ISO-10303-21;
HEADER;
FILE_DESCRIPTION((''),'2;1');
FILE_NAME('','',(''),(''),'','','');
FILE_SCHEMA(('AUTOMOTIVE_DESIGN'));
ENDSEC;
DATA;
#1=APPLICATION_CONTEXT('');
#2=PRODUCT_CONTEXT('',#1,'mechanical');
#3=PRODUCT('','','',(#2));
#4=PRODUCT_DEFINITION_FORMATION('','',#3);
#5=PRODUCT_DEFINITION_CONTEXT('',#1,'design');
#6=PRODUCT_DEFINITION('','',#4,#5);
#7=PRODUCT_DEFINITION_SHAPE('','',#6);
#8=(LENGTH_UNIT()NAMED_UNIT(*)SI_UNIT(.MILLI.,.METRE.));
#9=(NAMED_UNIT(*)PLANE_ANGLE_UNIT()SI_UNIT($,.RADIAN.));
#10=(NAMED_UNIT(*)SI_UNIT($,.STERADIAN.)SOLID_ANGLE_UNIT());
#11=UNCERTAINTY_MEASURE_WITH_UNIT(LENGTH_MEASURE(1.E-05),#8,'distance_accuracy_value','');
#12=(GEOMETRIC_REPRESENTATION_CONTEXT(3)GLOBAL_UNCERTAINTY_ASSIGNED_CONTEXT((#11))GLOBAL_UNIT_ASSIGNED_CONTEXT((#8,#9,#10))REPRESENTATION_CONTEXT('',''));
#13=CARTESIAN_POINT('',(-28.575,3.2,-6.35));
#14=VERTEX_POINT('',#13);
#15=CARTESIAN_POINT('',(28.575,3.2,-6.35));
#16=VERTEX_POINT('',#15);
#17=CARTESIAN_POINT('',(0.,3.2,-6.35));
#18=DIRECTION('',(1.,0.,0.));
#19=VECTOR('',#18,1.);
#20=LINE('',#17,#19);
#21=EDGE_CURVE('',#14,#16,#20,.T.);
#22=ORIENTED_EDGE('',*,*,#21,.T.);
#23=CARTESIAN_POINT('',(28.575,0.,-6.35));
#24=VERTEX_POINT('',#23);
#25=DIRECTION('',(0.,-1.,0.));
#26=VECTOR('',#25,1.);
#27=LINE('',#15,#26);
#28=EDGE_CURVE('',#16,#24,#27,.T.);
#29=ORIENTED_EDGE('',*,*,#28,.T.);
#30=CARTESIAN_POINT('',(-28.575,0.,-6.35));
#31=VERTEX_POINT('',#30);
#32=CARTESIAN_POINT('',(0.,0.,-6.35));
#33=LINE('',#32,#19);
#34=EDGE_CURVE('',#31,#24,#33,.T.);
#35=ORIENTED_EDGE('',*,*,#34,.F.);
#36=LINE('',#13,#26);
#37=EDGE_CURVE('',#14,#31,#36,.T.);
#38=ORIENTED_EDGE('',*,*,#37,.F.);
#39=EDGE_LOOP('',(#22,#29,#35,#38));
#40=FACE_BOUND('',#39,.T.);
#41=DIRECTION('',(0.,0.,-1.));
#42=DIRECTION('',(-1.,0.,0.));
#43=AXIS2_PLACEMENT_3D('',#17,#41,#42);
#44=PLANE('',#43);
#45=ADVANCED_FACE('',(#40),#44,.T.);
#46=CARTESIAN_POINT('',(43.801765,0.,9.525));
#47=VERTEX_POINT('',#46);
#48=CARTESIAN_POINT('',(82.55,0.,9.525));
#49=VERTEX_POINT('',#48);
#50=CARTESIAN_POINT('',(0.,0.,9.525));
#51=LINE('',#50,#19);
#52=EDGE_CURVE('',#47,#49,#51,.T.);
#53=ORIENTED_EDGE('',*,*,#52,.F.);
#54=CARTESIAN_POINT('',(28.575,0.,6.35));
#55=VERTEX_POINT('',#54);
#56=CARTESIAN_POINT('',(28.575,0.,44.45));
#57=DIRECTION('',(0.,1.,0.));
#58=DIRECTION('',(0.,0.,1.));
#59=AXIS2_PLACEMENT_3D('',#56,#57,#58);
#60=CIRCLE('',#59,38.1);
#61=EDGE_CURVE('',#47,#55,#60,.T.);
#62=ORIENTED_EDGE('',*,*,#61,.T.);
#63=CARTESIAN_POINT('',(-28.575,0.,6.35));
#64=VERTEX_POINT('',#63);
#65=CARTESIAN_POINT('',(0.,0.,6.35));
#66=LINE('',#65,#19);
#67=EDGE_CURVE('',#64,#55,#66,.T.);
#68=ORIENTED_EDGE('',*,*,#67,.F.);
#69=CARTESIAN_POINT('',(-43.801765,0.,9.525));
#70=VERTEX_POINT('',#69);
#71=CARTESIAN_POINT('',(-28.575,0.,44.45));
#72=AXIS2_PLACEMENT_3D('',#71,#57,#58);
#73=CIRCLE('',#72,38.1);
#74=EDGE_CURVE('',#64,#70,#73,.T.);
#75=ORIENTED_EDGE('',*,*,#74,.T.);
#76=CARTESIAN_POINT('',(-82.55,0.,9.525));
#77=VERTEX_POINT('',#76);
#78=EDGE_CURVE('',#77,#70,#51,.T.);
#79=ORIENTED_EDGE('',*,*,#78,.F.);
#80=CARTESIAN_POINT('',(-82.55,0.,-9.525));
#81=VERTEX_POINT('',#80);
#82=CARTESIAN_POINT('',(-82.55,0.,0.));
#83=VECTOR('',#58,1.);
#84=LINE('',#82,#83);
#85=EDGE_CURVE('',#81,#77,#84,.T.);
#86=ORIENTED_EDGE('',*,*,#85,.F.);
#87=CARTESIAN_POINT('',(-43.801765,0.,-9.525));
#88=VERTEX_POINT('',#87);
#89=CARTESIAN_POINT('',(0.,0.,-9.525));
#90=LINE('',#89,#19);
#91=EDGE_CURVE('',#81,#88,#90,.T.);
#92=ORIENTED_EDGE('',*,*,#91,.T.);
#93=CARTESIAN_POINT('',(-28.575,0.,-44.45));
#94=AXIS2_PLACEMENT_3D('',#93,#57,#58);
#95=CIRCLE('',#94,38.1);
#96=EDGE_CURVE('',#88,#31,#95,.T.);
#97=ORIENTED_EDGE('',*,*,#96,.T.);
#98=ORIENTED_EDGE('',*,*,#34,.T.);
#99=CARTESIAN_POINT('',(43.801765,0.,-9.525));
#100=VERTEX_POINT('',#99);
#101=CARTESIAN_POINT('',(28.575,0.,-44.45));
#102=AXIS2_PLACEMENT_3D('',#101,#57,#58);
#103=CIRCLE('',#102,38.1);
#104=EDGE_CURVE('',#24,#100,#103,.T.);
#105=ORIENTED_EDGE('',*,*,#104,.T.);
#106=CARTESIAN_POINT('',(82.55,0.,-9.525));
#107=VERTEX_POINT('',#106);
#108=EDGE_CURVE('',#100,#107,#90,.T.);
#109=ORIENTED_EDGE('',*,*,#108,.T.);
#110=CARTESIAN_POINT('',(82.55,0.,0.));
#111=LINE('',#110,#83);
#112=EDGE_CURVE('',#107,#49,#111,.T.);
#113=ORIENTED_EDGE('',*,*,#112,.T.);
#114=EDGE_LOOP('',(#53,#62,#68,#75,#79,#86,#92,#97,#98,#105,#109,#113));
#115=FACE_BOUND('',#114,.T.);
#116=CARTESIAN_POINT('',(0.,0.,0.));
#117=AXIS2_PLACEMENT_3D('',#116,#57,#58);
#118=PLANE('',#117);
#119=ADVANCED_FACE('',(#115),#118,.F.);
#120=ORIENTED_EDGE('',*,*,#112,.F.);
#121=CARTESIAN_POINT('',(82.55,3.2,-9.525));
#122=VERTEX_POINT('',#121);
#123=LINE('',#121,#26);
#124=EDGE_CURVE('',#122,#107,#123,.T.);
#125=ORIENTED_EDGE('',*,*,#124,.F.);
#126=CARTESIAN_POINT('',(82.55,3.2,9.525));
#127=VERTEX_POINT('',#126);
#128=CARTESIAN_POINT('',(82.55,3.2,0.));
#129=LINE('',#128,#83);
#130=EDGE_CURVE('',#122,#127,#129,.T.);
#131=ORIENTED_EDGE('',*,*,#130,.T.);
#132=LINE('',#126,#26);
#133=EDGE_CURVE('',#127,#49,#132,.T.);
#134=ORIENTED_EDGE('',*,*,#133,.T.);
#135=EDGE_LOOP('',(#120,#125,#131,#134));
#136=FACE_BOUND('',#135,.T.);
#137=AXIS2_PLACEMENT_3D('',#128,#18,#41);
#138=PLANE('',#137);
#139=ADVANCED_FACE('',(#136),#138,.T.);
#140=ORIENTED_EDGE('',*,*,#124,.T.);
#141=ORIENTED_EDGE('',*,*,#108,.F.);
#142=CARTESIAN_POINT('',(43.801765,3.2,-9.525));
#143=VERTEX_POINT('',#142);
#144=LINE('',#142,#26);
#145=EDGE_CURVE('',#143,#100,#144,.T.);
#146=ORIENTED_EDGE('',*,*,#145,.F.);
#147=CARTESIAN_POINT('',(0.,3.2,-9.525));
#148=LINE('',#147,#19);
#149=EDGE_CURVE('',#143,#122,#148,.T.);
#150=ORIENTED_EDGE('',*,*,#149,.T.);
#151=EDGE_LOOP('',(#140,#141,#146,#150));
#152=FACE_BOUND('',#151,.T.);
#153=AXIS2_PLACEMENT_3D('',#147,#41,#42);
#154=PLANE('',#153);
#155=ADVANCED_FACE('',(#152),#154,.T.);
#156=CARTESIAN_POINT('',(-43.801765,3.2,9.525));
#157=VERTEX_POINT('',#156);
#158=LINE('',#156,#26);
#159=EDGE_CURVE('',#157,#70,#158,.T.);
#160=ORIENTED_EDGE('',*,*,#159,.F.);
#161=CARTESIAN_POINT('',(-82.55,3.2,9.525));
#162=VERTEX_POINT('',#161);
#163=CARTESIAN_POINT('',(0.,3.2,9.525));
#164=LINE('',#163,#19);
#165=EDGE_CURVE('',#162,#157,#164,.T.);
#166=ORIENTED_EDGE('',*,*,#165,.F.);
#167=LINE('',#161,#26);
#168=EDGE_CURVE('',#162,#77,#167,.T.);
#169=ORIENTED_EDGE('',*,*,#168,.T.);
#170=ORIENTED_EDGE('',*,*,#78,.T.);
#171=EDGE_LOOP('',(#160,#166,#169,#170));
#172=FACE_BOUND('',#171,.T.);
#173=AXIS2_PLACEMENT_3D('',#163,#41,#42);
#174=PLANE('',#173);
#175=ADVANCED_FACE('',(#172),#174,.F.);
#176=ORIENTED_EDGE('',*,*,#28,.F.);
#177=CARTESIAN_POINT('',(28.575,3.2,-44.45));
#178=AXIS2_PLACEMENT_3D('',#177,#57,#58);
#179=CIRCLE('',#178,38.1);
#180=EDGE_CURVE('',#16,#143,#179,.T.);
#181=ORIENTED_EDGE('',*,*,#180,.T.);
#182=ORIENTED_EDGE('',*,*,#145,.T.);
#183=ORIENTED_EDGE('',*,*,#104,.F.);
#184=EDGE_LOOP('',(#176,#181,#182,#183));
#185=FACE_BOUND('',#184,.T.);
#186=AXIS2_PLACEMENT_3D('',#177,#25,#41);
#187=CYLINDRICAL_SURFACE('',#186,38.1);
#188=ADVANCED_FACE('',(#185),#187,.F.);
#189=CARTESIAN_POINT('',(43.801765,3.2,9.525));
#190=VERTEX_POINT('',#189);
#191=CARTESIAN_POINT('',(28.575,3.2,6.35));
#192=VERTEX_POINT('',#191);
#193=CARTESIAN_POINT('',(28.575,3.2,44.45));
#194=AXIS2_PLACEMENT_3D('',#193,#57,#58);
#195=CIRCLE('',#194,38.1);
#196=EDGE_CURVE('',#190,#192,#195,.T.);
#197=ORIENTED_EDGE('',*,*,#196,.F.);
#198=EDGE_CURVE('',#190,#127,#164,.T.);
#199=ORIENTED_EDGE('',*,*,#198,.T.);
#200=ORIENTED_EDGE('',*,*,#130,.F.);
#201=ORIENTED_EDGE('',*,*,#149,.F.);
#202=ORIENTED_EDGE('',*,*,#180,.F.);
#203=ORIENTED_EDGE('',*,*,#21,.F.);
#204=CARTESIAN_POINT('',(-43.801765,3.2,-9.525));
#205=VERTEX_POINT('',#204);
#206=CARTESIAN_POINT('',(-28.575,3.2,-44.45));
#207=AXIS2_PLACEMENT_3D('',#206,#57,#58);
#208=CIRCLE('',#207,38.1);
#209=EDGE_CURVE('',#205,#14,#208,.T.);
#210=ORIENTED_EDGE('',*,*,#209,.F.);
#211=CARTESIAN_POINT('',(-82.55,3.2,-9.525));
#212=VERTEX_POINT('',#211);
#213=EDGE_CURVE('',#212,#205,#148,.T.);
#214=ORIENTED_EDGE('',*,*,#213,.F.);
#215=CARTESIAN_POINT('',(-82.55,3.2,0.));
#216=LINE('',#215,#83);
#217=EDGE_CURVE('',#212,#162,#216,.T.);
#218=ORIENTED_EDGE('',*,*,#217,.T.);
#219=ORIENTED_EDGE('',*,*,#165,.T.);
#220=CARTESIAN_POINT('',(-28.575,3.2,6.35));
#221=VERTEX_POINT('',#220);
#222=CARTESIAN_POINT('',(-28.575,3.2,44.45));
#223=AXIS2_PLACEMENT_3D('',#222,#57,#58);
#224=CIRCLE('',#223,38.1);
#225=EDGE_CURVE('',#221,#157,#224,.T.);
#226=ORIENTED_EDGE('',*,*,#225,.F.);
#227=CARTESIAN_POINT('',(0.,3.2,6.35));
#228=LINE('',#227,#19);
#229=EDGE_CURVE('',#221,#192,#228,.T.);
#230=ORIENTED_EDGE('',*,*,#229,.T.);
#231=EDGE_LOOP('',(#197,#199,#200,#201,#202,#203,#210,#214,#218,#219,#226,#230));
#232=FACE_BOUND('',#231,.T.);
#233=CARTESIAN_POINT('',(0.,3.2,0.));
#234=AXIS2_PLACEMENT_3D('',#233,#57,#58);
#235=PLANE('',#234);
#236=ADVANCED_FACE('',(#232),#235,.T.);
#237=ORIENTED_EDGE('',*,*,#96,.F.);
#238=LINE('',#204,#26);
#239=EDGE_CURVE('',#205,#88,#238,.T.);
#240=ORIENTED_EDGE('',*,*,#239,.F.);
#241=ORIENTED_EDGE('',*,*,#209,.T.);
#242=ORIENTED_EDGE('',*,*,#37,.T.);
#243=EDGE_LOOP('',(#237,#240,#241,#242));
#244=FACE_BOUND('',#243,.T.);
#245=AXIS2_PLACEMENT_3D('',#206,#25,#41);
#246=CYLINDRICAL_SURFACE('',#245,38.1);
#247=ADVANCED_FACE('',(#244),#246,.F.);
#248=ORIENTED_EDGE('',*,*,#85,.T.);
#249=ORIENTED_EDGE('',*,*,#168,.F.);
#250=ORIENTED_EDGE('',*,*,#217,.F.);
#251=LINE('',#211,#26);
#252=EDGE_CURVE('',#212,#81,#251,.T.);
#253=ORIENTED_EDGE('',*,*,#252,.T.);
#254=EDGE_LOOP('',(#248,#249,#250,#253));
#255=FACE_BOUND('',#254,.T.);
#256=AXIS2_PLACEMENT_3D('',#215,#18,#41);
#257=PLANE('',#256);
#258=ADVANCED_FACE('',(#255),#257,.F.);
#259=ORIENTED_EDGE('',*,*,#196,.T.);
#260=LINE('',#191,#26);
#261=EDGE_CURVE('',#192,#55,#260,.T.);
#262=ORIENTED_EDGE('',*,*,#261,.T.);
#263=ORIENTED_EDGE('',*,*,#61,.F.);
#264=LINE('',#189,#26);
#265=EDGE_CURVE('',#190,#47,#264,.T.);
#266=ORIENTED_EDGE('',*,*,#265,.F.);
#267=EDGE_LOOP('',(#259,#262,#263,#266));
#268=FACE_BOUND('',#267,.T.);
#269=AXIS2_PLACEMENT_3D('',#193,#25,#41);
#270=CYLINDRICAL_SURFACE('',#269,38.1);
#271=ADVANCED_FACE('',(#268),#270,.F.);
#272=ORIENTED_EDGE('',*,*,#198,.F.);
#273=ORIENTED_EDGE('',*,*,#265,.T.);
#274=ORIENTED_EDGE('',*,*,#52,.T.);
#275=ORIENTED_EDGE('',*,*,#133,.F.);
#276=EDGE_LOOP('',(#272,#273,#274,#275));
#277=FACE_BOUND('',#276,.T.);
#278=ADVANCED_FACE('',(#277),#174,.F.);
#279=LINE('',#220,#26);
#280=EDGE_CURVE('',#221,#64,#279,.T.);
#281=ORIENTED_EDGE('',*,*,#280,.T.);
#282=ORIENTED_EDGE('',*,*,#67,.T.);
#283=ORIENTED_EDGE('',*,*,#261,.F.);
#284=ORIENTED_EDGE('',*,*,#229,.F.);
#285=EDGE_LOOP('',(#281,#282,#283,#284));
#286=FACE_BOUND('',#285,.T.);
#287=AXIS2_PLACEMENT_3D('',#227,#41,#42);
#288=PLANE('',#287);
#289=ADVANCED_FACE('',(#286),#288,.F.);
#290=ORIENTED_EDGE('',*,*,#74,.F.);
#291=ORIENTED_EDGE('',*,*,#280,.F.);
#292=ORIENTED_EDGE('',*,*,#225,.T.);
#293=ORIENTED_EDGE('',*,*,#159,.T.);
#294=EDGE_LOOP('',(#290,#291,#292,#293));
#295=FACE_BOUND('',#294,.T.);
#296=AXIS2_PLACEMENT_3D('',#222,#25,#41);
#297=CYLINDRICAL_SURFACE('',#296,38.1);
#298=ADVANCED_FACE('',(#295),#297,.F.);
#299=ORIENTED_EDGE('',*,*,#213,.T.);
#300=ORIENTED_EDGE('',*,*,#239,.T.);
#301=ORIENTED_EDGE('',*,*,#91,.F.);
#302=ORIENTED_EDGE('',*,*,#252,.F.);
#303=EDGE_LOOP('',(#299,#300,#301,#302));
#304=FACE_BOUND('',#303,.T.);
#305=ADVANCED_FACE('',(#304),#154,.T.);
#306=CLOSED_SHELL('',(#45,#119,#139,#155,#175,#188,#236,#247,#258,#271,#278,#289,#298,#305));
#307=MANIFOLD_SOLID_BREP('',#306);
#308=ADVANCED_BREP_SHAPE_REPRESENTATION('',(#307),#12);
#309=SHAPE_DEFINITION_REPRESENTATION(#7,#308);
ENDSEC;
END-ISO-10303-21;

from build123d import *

# Parameters (mm, degrees)
SKETCH1_W           = 57.15
SKETCH1_H           = 12.7
BOSS_EXTRUDE1_DEPTH = 3.2


with BuildPart() as part:
    # Sketch1 → Boss-Extrude1 (new body)
    with BuildSketch(Plane(origin=(0, 0, 0), x_dir=(1, 0, 0), z_dir=(0, 1, 0))):
        with BuildLine():
            Line((-28.575, -6.35), (-28.575, 6.35))
            ThreePointArc((-28.575, 6.35), (-36.352129933, 7.152195105), (-43.801765087, 9.525))
            Line((-43.801765087, 9.525), (-82.55, 9.525))
            Line((-82.55, 9.525), (-82.55, -9.525))
            Line((-82.55, -9.525), (-43.801765087, -9.525))
            ThreePointArc((-43.801765087, -9.525), (-36.352129933, -7.152195105), (-28.575, -6.35))
        make_face()
        Rectangle(SKETCH1_W, SKETCH1_H)
        with BuildLine():
            ThreePointArc((43.801765087, 9.525), (36.352129933, 7.152195105), (28.575, 6.35))
            Line((28.575, 6.35), (28.575, -6.35))
            ThreePointArc((28.575, -6.35), (36.352129933, -7.152195105), (43.801765087, -9.525))
            Line((43.801765087, -9.525), (82.55, -9.525))
            Line((82.55, -9.525), (82.55, 9.525))
            Line((82.55, 9.525), (43.801765087, 9.525))
        make_face()
    extrude(amount=BOSS_EXTRUDE1_DEPTH)


solid = part.part
